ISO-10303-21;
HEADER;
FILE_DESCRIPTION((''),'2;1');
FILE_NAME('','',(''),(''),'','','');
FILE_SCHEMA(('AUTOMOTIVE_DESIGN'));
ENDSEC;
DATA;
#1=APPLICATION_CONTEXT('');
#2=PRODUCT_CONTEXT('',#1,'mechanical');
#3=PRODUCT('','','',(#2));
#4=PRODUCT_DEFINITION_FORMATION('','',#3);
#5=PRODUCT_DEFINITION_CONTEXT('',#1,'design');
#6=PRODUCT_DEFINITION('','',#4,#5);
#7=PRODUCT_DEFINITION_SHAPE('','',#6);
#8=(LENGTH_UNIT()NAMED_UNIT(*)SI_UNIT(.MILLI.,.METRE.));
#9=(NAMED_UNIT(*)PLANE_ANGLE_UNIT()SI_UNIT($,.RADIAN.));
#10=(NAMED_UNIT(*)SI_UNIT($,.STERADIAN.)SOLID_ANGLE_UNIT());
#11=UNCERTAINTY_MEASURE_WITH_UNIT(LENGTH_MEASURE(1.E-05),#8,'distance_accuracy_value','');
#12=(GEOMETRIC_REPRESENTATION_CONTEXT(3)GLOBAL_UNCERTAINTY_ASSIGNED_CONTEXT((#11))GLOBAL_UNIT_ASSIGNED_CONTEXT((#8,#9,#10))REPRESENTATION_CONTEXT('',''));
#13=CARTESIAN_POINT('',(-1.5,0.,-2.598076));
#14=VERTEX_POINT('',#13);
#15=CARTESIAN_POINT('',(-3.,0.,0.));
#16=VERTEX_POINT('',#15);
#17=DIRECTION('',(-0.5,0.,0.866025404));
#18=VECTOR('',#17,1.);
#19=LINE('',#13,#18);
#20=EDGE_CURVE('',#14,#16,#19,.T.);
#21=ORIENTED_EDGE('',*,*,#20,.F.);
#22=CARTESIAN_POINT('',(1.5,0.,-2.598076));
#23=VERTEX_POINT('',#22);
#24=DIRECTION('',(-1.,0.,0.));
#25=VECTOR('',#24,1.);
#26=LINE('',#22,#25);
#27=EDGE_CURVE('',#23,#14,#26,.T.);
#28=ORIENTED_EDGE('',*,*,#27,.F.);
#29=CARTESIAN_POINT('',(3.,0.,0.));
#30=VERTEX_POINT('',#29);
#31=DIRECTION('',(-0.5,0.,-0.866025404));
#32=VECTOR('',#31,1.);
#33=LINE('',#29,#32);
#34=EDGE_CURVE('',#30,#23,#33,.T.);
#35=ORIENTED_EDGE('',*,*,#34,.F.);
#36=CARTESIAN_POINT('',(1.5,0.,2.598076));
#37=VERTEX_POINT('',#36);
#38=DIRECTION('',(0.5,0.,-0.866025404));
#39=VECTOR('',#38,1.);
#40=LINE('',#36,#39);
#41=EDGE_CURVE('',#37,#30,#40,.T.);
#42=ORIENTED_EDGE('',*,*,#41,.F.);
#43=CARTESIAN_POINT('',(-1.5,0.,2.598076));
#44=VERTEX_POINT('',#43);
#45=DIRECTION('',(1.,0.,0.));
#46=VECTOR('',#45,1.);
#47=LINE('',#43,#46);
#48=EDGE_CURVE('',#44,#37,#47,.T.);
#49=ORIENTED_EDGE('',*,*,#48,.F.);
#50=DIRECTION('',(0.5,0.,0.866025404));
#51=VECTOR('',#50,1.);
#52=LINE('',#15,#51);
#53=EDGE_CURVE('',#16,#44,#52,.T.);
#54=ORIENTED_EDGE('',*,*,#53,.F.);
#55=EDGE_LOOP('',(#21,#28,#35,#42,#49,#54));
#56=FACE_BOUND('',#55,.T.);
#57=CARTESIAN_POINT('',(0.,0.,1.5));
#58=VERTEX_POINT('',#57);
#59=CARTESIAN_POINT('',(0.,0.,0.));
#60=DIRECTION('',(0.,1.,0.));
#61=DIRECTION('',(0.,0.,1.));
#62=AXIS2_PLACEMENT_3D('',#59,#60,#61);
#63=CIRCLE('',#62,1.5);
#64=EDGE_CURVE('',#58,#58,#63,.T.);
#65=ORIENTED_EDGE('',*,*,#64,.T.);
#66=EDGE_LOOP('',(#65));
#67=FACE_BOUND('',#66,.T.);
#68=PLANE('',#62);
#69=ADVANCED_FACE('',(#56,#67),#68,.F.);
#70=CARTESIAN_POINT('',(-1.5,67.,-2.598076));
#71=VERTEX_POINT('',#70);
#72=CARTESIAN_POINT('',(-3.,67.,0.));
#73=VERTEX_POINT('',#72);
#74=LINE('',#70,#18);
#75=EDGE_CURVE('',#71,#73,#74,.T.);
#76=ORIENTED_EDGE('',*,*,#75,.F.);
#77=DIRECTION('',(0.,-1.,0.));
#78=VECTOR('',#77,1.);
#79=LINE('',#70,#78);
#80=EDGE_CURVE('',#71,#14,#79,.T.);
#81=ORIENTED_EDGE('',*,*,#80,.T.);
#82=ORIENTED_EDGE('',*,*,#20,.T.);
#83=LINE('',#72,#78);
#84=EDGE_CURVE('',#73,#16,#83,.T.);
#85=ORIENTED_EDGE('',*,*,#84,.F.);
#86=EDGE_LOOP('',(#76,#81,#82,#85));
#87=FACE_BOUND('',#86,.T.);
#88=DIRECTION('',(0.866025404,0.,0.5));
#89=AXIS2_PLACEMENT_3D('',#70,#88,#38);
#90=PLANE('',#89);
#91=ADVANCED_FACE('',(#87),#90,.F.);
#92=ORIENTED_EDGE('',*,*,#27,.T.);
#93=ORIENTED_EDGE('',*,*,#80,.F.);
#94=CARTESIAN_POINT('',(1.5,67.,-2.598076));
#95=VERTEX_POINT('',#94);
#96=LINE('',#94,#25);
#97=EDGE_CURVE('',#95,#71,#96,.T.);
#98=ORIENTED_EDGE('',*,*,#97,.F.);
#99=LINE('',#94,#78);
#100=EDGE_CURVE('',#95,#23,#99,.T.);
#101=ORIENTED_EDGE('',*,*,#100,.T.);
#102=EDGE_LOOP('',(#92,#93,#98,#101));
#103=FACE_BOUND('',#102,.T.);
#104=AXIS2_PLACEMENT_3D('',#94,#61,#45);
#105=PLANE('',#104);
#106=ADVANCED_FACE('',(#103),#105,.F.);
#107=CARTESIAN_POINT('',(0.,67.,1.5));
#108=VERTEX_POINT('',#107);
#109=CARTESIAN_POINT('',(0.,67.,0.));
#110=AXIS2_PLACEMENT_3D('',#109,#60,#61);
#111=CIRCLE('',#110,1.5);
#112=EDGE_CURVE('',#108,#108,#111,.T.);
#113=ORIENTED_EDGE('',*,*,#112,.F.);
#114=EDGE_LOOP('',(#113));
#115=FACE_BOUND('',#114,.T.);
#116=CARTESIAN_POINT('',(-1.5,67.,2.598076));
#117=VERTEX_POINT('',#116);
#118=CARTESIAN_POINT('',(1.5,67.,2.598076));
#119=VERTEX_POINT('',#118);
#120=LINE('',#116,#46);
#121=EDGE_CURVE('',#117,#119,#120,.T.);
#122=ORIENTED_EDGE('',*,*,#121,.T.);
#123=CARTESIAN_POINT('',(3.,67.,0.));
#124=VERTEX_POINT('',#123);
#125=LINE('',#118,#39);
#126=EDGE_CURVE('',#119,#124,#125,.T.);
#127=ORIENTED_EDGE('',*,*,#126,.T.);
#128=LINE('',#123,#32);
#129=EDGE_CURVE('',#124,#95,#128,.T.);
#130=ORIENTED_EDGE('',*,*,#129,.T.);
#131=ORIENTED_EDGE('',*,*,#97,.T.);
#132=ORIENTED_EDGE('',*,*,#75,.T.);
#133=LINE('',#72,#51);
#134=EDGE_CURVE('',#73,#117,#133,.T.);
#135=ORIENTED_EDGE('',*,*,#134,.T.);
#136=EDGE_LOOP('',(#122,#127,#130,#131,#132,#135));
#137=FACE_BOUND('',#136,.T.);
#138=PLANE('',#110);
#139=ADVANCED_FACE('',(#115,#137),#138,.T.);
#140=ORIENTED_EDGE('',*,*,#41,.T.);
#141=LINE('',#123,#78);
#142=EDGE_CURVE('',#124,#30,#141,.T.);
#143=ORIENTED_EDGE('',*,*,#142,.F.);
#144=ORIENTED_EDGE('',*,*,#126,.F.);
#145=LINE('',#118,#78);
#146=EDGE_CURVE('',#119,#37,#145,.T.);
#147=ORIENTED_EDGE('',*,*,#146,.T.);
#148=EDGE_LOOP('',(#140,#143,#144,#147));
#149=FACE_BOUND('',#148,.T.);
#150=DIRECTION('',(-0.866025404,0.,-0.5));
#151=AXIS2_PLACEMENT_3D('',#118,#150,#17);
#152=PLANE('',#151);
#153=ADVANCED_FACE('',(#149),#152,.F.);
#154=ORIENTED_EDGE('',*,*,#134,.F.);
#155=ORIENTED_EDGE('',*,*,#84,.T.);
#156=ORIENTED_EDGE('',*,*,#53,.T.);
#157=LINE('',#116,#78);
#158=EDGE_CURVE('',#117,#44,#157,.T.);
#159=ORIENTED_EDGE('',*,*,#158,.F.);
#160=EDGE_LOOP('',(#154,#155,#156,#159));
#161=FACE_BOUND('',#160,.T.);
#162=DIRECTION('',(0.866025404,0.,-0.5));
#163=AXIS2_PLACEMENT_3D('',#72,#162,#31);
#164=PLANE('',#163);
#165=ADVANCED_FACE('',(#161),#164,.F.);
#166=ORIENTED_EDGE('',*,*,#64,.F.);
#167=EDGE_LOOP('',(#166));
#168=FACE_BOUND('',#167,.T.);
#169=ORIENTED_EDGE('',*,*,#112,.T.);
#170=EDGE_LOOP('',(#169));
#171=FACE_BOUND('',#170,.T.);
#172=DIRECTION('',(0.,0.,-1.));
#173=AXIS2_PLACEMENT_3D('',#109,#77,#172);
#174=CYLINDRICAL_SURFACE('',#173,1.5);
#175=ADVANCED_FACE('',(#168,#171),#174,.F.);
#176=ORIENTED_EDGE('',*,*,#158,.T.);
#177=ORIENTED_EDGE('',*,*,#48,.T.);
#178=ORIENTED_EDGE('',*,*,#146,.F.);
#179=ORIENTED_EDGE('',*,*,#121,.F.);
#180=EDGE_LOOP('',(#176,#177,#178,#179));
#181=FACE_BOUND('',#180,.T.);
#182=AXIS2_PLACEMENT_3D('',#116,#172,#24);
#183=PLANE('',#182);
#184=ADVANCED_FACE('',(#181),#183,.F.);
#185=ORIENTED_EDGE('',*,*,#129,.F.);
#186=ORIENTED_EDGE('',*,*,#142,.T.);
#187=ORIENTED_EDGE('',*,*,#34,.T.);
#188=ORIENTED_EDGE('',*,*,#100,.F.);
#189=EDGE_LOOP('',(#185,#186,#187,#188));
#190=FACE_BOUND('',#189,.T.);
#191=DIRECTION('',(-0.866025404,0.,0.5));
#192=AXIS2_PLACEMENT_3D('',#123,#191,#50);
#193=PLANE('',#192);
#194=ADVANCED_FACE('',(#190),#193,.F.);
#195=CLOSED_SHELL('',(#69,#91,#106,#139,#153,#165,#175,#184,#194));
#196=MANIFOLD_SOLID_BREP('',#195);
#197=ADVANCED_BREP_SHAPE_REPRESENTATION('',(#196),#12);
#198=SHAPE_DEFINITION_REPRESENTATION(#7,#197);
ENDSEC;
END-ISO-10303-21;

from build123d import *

# Parameters (mm, degrees)
SKETCH_1_R      = 1.5
EXTRUDE_1_DEPTH = 67


with BuildPart() as part:
    # 草图1 → 凸台-拉伸1 (new body)
    with BuildSketch(Plane(origin=(0, 0, 0), x_dir=(1, 0, 0), z_dir=(0, 1, 0))):
        Polygon((3, 0), (1.5, 2.598076211), (-1.5, 2.598076211), (-3, 0), (-1.5, -2.598076211), (1.5, -2.598076211), align=None)
        with Locations(Location((0, 0, 0), (0, 0, 270))):
            Circle(SKETCH_1_R, mode=Mode.SUBTRACT)
    extrude(amount=EXTRUDE_1_DEPTH)


solid = part.part
